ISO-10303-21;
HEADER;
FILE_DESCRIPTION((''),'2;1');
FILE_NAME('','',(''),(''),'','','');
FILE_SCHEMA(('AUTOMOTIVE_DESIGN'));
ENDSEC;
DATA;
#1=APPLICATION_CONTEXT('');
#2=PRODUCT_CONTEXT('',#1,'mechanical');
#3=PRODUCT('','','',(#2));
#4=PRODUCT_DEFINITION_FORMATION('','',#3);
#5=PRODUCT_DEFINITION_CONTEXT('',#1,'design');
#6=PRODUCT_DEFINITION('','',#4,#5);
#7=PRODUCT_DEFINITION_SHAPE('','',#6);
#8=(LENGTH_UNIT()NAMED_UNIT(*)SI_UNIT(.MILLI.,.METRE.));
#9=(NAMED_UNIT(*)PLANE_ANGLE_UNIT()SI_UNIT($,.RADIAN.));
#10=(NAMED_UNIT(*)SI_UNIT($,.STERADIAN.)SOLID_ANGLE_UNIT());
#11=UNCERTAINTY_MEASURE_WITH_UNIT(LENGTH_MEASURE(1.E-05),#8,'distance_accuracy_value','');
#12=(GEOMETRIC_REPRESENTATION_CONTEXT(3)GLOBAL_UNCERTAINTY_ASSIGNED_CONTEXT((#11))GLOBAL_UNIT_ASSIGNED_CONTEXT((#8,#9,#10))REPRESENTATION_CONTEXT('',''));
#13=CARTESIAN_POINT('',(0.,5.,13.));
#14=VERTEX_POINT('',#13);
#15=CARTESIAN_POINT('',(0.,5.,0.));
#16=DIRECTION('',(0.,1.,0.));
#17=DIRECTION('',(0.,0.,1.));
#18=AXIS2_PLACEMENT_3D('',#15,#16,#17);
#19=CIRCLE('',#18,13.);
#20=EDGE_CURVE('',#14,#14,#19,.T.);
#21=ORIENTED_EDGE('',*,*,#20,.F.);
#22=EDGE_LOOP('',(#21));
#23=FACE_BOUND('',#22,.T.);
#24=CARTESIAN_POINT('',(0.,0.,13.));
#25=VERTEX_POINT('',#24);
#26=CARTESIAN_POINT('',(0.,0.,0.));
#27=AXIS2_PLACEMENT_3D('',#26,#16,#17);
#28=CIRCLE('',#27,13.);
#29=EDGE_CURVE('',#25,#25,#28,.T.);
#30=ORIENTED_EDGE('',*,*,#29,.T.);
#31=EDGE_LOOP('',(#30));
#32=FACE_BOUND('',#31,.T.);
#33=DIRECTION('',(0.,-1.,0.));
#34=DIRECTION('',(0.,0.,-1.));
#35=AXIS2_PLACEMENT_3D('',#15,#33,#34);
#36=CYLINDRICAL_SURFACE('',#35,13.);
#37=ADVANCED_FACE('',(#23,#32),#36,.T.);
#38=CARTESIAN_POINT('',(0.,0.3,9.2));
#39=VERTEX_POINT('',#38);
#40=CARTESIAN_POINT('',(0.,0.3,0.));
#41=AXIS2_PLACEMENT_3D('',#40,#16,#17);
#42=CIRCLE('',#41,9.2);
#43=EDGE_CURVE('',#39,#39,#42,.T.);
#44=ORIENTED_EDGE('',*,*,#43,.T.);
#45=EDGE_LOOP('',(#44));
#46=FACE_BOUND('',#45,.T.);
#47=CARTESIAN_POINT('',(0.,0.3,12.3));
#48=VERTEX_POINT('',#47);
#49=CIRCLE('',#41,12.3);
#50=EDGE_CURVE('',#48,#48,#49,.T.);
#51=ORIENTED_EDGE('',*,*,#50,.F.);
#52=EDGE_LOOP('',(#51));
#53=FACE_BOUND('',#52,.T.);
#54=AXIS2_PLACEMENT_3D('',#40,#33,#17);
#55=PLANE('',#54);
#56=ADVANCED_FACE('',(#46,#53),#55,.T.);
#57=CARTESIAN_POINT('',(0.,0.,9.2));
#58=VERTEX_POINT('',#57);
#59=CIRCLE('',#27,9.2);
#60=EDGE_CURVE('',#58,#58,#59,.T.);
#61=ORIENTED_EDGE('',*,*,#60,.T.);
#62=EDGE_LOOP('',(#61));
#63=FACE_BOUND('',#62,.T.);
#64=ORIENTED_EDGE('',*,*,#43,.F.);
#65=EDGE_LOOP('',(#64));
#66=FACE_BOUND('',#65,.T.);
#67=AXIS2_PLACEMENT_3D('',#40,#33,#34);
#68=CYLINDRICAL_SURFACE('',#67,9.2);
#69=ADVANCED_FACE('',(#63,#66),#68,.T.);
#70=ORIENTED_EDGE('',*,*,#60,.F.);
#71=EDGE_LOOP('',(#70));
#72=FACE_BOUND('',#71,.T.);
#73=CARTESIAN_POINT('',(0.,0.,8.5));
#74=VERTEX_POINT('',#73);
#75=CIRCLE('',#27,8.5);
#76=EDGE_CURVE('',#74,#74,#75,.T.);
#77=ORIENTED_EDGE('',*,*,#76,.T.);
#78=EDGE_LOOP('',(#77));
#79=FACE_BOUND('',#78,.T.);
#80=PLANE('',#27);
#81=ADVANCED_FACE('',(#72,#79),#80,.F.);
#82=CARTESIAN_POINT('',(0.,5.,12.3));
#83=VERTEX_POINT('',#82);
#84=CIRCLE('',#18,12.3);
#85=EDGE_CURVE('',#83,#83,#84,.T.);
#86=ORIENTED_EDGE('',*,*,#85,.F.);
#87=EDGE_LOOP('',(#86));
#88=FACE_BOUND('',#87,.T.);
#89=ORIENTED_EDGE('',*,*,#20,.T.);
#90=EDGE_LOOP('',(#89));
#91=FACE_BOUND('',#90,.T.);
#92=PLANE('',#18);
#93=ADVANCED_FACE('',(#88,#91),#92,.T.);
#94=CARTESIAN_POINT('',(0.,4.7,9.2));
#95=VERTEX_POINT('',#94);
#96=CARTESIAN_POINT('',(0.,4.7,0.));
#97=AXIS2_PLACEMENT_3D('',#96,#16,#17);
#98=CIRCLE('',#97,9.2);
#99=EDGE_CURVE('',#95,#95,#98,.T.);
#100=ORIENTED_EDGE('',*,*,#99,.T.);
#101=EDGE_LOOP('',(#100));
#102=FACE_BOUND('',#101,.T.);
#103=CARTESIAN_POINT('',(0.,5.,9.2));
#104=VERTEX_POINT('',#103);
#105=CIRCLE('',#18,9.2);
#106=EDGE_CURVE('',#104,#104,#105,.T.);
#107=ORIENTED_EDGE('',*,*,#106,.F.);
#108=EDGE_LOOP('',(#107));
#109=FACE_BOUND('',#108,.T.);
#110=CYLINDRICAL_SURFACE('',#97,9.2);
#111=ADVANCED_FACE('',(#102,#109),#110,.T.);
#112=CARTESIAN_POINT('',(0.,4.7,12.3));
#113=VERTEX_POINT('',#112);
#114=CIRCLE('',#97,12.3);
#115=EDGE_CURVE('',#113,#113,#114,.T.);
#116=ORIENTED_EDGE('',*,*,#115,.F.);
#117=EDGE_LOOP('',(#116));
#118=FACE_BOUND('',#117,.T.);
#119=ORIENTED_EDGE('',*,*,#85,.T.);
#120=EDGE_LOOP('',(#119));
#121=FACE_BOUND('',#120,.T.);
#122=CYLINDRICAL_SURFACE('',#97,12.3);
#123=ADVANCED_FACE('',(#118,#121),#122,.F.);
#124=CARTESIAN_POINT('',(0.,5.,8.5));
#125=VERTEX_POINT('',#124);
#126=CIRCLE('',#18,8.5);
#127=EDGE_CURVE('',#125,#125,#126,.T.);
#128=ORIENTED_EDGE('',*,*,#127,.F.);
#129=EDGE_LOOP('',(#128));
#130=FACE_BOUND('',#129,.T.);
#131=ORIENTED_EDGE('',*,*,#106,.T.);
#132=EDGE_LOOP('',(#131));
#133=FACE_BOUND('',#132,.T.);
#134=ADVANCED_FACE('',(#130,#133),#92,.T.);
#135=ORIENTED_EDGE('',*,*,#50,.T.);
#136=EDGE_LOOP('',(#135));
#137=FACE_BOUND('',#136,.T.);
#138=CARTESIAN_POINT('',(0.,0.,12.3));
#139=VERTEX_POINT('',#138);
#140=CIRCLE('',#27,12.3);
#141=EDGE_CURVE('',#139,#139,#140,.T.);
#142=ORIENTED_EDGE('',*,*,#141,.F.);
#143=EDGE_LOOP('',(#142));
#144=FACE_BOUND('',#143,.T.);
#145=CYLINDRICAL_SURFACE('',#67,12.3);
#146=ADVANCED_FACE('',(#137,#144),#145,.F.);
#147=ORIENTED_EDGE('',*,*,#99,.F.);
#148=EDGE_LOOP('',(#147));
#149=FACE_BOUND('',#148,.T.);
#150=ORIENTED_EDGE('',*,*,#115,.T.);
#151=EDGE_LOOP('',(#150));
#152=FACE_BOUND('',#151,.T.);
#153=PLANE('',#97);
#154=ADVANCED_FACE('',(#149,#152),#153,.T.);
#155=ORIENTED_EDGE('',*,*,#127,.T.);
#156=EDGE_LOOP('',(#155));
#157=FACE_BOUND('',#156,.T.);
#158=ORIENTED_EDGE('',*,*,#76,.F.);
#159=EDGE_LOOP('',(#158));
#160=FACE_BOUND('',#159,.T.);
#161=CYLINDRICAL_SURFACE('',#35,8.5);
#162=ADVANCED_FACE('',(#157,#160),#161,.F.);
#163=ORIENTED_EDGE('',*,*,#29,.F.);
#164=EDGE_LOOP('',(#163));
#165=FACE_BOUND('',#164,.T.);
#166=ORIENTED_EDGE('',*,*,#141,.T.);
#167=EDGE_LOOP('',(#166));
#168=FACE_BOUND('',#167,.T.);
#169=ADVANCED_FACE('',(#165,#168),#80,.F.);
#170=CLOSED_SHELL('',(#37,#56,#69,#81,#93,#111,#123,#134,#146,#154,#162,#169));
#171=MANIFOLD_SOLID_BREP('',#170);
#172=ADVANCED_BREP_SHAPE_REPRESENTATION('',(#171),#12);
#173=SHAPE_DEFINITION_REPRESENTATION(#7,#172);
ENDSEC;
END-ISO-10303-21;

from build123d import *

# Parameters (mm, degrees)
SKETCH_1_R          = 13
SKETCH_1_R_2        = 8.5
EXTRUDE_1_DEPTH     = 5
SKETCH_2_R          = 12.3
SKETCH_2_R_2        = 9.2
CUT_EXTRUDE_1_DEPTH = 0.3


with BuildPart() as part:
    # 草图1 → 凸台-拉伸1 (new body)
    with BuildSketch(Plane(origin=(0, 0, 0), x_dir=(1, 0, 0), z_dir=(0, 1, 0))):
        with Locations(Location((0, 0, 0), (0, 0, 270))):
            Circle(SKETCH_1_R)
        with Locations(Location((0, 0, 0), (0, 0, 270))):
            Circle(SKETCH_1_R_2, mode=Mode.SUBTRACT)
    extrude(amount=EXTRUDE_1_DEPTH)

    # 草图2 → 切除-拉伸1 (cut)
    with BuildSketch(Plane(origin=(0, 5, 0), x_dir=(1, 0, 0), z_dir=(0, 1, 0))):
        with Locations(Location((0, 0, 0), (0, 0, 270))):
            Circle(SKETCH_2_R)
        with Locations(Location((0, 0, 0), (0, 0, 270))):
            Circle(SKETCH_2_R_2, mode=Mode.SUBTRACT)
    cut_extrude_1 = extrude(amount=-CUT_EXTRUDE_1_DEPTH, mode=Mode.SUBTRACT)

    # 镜向1: 切除-拉伸1 across plane
    add(cut_extrude_1.mirror(Plane.ZX.offset(2.5)), mode=Mode.SUBTRACT)


solid = part.part
